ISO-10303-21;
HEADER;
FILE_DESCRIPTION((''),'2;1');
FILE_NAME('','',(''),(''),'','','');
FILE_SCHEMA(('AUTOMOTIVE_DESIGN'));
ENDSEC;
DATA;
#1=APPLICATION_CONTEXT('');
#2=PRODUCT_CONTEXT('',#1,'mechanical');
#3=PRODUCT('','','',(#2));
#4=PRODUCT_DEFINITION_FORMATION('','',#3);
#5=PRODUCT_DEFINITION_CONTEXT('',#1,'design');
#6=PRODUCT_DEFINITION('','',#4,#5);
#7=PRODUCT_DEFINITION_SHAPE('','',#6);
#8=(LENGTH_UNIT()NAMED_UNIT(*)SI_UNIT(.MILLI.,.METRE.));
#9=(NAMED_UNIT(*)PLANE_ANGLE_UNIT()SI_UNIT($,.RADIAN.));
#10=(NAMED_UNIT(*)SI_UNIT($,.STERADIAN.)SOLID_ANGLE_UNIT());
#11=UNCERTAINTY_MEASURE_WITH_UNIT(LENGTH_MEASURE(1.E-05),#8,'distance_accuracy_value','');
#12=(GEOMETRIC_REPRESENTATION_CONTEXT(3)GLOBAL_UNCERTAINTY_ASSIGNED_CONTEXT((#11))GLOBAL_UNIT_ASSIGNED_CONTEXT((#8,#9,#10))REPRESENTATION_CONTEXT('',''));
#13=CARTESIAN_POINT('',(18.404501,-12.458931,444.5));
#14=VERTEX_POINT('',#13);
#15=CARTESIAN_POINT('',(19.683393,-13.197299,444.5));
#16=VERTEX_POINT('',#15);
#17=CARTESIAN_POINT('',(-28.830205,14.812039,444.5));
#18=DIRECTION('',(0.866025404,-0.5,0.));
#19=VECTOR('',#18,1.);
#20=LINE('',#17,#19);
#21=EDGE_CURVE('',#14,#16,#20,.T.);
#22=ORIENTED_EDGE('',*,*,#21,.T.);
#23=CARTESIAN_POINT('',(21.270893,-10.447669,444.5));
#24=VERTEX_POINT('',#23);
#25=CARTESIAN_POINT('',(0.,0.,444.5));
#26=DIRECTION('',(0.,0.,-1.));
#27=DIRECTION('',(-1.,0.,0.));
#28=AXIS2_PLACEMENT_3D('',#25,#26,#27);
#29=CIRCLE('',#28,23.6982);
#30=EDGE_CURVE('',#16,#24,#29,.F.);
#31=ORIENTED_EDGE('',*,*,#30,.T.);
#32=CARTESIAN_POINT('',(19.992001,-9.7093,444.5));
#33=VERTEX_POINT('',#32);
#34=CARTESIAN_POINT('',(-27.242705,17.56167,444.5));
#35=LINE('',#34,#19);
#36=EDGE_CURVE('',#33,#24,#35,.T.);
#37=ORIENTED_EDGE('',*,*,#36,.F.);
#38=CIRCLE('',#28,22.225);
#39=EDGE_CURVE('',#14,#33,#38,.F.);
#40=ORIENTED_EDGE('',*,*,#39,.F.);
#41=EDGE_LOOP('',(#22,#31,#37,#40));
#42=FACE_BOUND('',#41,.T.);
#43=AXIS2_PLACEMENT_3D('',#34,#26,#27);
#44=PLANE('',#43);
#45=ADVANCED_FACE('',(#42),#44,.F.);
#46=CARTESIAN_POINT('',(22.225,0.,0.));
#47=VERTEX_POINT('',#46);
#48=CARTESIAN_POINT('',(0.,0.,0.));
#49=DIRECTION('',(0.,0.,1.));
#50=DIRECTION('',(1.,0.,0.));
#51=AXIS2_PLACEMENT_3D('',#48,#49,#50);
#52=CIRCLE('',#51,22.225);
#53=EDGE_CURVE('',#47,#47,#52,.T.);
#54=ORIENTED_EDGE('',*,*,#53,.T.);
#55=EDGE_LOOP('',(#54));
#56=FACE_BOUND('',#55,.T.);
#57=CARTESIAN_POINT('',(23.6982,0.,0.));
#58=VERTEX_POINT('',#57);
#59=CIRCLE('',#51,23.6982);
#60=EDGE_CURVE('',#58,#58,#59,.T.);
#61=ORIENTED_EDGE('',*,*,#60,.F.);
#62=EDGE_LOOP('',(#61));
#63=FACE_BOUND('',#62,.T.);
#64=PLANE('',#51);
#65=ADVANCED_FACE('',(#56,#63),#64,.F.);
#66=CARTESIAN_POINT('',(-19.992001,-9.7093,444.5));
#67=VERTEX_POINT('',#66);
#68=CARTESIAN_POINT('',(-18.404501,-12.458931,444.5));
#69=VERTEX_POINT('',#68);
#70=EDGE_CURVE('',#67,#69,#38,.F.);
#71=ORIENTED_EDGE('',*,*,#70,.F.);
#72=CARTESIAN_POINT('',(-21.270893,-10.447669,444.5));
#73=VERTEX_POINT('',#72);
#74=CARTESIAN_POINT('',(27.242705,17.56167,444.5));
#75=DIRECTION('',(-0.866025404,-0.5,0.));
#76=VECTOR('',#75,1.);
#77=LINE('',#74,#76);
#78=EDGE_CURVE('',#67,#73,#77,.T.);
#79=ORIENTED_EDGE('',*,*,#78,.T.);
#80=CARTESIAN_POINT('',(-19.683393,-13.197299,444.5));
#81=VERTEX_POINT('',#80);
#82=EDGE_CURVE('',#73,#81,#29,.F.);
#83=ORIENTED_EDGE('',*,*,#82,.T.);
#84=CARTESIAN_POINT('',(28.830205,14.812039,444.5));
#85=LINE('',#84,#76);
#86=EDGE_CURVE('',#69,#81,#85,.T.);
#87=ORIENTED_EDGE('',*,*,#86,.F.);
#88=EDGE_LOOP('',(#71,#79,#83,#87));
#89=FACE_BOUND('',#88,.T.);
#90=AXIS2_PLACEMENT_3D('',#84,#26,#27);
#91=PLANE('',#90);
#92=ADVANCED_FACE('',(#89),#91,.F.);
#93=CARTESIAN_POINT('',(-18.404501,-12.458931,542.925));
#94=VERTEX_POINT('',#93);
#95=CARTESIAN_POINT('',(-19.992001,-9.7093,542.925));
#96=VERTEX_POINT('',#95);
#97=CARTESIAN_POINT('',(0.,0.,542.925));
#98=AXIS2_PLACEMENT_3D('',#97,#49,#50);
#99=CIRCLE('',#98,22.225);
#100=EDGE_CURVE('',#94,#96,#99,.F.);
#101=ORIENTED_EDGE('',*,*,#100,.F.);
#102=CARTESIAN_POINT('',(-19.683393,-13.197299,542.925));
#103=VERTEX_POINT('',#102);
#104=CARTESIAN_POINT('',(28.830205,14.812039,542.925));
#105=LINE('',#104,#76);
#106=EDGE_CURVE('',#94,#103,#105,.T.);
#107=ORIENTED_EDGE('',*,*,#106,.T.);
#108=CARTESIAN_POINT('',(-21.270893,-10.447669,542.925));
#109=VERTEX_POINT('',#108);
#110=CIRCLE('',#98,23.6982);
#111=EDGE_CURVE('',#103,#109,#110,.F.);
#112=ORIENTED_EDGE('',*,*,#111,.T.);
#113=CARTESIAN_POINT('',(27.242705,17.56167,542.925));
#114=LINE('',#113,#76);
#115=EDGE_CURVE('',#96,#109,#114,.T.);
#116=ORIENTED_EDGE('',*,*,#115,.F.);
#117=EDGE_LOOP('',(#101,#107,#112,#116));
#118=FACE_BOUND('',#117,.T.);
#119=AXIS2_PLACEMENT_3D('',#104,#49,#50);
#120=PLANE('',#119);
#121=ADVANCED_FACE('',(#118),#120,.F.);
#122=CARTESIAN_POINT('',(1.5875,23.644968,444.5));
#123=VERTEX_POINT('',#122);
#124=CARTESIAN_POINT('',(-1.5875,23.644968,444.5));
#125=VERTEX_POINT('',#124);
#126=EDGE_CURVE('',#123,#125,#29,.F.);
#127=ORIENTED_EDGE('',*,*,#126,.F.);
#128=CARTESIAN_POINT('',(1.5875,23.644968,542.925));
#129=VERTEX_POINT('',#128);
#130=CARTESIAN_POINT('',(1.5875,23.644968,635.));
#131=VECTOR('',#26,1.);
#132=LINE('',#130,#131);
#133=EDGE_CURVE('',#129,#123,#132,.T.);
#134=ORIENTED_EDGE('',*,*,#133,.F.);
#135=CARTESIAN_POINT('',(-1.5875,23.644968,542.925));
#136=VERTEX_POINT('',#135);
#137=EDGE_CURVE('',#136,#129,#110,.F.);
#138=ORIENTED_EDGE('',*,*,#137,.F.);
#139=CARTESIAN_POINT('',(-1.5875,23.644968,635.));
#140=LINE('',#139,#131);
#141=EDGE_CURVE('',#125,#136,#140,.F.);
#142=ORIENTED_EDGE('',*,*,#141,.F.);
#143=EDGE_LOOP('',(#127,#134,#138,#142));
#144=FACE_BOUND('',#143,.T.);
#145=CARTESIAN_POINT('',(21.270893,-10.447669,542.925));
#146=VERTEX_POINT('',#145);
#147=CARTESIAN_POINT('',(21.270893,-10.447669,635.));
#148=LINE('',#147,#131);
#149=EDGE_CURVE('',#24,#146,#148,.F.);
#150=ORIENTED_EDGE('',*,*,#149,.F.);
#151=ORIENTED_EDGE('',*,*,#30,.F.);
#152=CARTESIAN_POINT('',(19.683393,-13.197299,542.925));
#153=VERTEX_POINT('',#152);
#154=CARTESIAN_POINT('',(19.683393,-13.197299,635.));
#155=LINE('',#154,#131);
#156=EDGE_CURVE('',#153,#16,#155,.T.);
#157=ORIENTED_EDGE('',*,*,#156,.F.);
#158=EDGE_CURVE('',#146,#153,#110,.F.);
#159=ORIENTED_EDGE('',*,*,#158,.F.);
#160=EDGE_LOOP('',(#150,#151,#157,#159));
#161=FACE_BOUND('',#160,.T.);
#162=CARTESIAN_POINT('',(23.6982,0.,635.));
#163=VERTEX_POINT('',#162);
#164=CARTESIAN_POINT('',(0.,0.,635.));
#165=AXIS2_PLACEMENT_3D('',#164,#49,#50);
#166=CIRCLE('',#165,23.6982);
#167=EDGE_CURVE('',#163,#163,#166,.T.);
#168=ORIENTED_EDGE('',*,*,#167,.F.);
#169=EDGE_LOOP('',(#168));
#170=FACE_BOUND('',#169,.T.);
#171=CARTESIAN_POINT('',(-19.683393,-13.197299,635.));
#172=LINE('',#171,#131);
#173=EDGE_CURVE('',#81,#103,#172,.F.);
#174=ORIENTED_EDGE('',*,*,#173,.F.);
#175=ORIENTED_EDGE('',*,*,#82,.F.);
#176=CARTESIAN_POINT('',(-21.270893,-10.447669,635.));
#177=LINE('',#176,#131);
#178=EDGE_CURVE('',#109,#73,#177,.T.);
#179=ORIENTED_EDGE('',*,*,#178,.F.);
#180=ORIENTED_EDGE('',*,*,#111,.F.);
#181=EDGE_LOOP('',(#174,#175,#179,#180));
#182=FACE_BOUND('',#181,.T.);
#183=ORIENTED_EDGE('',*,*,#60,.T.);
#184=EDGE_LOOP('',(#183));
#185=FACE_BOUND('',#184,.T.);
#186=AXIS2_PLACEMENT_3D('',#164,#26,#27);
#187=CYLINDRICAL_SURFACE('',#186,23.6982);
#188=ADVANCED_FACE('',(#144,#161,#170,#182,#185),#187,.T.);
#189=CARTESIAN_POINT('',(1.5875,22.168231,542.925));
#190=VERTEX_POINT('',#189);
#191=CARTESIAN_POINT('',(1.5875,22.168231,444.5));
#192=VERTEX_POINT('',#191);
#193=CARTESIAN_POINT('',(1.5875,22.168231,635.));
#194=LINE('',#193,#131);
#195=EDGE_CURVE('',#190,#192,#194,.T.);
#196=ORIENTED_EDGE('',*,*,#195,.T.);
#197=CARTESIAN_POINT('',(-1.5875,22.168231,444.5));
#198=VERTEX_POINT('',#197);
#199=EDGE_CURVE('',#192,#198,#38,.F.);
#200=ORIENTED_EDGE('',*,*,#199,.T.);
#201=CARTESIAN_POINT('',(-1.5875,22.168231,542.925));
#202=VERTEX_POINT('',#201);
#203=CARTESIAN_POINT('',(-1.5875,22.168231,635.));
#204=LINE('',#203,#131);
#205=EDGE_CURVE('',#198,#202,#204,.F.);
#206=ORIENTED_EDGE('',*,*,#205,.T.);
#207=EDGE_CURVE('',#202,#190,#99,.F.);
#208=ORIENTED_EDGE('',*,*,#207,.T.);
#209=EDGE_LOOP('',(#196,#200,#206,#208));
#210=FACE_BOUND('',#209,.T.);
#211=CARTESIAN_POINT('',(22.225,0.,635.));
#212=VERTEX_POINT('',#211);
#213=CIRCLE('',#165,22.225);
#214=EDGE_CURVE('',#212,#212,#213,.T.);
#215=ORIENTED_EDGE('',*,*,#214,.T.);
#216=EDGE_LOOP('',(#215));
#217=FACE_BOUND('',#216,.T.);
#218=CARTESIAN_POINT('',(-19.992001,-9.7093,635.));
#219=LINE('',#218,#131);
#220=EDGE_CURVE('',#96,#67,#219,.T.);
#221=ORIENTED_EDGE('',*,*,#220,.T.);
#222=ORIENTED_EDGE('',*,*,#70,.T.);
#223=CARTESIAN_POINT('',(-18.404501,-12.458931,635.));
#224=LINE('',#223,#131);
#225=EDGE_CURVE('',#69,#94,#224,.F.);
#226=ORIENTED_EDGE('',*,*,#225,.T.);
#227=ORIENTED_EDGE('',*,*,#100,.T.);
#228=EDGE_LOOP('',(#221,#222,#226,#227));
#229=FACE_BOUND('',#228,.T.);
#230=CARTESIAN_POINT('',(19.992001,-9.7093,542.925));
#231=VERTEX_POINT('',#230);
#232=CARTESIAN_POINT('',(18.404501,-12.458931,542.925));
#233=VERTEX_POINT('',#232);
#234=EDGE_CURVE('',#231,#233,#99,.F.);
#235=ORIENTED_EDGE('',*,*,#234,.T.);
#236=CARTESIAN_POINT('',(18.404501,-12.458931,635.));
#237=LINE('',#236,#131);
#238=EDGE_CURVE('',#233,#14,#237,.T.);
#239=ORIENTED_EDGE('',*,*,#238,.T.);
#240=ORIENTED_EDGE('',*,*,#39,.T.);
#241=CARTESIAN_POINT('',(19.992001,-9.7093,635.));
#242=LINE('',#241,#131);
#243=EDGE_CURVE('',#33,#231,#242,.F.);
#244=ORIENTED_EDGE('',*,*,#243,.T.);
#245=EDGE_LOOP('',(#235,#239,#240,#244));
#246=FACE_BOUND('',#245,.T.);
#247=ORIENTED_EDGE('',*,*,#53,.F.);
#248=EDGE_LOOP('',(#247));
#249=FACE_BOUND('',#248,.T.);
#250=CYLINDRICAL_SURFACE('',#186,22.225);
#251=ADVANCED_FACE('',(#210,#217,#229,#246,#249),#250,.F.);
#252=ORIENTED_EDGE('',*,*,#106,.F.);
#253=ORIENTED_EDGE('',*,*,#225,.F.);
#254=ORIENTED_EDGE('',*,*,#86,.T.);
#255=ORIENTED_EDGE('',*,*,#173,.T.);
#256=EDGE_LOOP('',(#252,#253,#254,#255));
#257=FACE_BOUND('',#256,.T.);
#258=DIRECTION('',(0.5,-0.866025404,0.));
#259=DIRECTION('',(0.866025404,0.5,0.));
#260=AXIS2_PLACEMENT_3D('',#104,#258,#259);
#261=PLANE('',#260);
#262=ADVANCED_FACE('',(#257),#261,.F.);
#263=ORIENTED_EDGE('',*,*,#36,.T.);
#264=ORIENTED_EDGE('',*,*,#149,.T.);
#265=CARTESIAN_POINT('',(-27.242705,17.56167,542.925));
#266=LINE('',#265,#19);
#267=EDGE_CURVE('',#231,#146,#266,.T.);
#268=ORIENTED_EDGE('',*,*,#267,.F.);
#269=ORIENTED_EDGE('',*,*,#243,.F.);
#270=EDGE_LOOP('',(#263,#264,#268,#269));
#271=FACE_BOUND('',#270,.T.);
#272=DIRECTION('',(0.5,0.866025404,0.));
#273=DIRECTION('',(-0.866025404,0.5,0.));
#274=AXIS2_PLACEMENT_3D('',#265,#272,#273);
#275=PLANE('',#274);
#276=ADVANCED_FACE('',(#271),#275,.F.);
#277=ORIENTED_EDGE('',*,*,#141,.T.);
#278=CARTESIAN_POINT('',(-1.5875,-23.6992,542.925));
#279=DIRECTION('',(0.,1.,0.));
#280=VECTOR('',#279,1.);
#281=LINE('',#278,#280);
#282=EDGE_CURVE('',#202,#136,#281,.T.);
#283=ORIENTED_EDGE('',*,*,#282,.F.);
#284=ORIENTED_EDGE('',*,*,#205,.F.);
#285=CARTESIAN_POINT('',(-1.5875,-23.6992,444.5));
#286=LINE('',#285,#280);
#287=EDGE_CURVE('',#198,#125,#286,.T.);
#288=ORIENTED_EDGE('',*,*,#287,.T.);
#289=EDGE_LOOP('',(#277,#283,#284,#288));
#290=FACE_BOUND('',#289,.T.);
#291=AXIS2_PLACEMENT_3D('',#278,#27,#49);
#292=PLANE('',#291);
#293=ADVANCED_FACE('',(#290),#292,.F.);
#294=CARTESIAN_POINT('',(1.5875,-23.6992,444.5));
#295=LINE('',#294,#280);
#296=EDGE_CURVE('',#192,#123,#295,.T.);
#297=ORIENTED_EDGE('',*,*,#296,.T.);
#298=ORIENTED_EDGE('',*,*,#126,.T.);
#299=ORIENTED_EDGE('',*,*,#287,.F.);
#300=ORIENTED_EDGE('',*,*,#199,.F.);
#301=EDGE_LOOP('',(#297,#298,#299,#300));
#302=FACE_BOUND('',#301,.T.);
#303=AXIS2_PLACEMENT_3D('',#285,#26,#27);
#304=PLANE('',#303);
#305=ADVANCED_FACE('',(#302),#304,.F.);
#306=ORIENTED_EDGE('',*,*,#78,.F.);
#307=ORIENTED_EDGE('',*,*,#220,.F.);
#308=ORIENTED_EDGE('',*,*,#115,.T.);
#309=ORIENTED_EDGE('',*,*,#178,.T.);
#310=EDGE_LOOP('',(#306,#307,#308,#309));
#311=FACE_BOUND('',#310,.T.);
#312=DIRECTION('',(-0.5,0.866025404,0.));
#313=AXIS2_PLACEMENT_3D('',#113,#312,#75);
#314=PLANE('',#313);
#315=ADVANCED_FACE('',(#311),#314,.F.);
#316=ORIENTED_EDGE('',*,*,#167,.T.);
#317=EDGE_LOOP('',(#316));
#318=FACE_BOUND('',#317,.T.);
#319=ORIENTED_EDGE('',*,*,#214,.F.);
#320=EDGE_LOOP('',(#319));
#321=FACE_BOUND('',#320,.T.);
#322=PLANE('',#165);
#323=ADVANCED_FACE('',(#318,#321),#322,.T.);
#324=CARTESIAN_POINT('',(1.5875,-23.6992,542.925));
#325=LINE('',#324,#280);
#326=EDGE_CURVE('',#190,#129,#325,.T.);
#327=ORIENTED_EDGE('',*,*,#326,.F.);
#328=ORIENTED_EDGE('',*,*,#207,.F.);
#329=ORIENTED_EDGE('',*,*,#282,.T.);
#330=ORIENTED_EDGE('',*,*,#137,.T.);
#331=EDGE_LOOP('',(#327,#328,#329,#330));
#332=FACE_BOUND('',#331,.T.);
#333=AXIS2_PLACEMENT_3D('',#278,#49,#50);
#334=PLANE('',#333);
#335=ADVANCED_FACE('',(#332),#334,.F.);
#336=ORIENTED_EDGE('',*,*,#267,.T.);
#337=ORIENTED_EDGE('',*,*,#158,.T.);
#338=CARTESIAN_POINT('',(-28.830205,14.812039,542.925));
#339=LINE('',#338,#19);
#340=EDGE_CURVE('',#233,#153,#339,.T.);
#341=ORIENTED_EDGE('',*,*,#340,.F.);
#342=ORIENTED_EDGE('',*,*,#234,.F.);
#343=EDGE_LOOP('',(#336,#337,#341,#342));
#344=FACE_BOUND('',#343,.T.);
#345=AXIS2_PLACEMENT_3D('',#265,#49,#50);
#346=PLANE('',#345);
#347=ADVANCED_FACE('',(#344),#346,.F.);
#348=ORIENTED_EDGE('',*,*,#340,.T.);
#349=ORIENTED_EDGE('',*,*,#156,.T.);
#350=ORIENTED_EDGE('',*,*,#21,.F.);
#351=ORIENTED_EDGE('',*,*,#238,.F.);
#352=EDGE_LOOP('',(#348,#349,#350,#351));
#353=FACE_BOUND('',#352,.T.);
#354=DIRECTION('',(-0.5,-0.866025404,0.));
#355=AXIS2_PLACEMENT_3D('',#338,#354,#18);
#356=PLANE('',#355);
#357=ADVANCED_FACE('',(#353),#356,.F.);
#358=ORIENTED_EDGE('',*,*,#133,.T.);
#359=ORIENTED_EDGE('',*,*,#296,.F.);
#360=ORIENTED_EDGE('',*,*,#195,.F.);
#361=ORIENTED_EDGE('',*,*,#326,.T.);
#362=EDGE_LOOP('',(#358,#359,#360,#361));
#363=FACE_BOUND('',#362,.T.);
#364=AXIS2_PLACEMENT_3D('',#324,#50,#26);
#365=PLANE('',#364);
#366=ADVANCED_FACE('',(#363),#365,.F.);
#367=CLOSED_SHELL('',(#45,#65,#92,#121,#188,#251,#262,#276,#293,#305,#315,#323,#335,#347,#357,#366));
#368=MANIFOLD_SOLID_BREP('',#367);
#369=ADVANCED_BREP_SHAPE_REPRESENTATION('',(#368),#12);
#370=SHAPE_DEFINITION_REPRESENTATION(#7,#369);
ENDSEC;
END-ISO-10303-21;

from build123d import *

# Parameters (mm, degrees)
SKETCH1_R           = 23.6982
SKETCH1_R_2         = 22.225
BOSS_EXTRUDE1_DEPTH = 635
CUT_EXTRUDE1_START  = -77.831769
SKETCH2_W           = 3.175
SKETCH2_H           = 98.425
CUT_EXTRUDE1_DEPTH  = 1.529969
CIRPATTERN2_COUNT   = 3


with BuildPart() as part:
    # Sketch1 → Boss-Extrude1 (new body)
    with BuildSketch(Plane.XY):
        Circle(SKETCH1_R)
        Circle(SKETCH1_R_2, mode=Mode.SUBTRACT)
    extrude(amount=BOSS_EXTRUDE1_DEPTH)

    # Sketch2 → Cut-Extrude1 (cut)
    with BuildSketch(Plane(origin=(0, 100, 0), x_dir=(1, 0, 0), z_dir=(0, 1, 0)).offset(CUT_EXTRUDE1_START)):
        with Locations((0, -493.7125)):
            Rectangle(SKETCH2_W, SKETCH2_H)
    cut_extrude1 = extrude(amount=CUT_EXTRUDE1_DEPTH, mode=Mode.SUBTRACT)

    # CirPattern2: Cut-Extrude1 ×3 about axis
    cirpattern2_axis = Axis((0, 0, 0), (0, 0, 1))
    for i in range(1, CIRPATTERN2_COUNT):
        add(cut_extrude1.rotate(cirpattern2_axis, i * 360 / CIRPATTERN2_COUNT), mode=Mode.SUBTRACT)


solid = part.part
